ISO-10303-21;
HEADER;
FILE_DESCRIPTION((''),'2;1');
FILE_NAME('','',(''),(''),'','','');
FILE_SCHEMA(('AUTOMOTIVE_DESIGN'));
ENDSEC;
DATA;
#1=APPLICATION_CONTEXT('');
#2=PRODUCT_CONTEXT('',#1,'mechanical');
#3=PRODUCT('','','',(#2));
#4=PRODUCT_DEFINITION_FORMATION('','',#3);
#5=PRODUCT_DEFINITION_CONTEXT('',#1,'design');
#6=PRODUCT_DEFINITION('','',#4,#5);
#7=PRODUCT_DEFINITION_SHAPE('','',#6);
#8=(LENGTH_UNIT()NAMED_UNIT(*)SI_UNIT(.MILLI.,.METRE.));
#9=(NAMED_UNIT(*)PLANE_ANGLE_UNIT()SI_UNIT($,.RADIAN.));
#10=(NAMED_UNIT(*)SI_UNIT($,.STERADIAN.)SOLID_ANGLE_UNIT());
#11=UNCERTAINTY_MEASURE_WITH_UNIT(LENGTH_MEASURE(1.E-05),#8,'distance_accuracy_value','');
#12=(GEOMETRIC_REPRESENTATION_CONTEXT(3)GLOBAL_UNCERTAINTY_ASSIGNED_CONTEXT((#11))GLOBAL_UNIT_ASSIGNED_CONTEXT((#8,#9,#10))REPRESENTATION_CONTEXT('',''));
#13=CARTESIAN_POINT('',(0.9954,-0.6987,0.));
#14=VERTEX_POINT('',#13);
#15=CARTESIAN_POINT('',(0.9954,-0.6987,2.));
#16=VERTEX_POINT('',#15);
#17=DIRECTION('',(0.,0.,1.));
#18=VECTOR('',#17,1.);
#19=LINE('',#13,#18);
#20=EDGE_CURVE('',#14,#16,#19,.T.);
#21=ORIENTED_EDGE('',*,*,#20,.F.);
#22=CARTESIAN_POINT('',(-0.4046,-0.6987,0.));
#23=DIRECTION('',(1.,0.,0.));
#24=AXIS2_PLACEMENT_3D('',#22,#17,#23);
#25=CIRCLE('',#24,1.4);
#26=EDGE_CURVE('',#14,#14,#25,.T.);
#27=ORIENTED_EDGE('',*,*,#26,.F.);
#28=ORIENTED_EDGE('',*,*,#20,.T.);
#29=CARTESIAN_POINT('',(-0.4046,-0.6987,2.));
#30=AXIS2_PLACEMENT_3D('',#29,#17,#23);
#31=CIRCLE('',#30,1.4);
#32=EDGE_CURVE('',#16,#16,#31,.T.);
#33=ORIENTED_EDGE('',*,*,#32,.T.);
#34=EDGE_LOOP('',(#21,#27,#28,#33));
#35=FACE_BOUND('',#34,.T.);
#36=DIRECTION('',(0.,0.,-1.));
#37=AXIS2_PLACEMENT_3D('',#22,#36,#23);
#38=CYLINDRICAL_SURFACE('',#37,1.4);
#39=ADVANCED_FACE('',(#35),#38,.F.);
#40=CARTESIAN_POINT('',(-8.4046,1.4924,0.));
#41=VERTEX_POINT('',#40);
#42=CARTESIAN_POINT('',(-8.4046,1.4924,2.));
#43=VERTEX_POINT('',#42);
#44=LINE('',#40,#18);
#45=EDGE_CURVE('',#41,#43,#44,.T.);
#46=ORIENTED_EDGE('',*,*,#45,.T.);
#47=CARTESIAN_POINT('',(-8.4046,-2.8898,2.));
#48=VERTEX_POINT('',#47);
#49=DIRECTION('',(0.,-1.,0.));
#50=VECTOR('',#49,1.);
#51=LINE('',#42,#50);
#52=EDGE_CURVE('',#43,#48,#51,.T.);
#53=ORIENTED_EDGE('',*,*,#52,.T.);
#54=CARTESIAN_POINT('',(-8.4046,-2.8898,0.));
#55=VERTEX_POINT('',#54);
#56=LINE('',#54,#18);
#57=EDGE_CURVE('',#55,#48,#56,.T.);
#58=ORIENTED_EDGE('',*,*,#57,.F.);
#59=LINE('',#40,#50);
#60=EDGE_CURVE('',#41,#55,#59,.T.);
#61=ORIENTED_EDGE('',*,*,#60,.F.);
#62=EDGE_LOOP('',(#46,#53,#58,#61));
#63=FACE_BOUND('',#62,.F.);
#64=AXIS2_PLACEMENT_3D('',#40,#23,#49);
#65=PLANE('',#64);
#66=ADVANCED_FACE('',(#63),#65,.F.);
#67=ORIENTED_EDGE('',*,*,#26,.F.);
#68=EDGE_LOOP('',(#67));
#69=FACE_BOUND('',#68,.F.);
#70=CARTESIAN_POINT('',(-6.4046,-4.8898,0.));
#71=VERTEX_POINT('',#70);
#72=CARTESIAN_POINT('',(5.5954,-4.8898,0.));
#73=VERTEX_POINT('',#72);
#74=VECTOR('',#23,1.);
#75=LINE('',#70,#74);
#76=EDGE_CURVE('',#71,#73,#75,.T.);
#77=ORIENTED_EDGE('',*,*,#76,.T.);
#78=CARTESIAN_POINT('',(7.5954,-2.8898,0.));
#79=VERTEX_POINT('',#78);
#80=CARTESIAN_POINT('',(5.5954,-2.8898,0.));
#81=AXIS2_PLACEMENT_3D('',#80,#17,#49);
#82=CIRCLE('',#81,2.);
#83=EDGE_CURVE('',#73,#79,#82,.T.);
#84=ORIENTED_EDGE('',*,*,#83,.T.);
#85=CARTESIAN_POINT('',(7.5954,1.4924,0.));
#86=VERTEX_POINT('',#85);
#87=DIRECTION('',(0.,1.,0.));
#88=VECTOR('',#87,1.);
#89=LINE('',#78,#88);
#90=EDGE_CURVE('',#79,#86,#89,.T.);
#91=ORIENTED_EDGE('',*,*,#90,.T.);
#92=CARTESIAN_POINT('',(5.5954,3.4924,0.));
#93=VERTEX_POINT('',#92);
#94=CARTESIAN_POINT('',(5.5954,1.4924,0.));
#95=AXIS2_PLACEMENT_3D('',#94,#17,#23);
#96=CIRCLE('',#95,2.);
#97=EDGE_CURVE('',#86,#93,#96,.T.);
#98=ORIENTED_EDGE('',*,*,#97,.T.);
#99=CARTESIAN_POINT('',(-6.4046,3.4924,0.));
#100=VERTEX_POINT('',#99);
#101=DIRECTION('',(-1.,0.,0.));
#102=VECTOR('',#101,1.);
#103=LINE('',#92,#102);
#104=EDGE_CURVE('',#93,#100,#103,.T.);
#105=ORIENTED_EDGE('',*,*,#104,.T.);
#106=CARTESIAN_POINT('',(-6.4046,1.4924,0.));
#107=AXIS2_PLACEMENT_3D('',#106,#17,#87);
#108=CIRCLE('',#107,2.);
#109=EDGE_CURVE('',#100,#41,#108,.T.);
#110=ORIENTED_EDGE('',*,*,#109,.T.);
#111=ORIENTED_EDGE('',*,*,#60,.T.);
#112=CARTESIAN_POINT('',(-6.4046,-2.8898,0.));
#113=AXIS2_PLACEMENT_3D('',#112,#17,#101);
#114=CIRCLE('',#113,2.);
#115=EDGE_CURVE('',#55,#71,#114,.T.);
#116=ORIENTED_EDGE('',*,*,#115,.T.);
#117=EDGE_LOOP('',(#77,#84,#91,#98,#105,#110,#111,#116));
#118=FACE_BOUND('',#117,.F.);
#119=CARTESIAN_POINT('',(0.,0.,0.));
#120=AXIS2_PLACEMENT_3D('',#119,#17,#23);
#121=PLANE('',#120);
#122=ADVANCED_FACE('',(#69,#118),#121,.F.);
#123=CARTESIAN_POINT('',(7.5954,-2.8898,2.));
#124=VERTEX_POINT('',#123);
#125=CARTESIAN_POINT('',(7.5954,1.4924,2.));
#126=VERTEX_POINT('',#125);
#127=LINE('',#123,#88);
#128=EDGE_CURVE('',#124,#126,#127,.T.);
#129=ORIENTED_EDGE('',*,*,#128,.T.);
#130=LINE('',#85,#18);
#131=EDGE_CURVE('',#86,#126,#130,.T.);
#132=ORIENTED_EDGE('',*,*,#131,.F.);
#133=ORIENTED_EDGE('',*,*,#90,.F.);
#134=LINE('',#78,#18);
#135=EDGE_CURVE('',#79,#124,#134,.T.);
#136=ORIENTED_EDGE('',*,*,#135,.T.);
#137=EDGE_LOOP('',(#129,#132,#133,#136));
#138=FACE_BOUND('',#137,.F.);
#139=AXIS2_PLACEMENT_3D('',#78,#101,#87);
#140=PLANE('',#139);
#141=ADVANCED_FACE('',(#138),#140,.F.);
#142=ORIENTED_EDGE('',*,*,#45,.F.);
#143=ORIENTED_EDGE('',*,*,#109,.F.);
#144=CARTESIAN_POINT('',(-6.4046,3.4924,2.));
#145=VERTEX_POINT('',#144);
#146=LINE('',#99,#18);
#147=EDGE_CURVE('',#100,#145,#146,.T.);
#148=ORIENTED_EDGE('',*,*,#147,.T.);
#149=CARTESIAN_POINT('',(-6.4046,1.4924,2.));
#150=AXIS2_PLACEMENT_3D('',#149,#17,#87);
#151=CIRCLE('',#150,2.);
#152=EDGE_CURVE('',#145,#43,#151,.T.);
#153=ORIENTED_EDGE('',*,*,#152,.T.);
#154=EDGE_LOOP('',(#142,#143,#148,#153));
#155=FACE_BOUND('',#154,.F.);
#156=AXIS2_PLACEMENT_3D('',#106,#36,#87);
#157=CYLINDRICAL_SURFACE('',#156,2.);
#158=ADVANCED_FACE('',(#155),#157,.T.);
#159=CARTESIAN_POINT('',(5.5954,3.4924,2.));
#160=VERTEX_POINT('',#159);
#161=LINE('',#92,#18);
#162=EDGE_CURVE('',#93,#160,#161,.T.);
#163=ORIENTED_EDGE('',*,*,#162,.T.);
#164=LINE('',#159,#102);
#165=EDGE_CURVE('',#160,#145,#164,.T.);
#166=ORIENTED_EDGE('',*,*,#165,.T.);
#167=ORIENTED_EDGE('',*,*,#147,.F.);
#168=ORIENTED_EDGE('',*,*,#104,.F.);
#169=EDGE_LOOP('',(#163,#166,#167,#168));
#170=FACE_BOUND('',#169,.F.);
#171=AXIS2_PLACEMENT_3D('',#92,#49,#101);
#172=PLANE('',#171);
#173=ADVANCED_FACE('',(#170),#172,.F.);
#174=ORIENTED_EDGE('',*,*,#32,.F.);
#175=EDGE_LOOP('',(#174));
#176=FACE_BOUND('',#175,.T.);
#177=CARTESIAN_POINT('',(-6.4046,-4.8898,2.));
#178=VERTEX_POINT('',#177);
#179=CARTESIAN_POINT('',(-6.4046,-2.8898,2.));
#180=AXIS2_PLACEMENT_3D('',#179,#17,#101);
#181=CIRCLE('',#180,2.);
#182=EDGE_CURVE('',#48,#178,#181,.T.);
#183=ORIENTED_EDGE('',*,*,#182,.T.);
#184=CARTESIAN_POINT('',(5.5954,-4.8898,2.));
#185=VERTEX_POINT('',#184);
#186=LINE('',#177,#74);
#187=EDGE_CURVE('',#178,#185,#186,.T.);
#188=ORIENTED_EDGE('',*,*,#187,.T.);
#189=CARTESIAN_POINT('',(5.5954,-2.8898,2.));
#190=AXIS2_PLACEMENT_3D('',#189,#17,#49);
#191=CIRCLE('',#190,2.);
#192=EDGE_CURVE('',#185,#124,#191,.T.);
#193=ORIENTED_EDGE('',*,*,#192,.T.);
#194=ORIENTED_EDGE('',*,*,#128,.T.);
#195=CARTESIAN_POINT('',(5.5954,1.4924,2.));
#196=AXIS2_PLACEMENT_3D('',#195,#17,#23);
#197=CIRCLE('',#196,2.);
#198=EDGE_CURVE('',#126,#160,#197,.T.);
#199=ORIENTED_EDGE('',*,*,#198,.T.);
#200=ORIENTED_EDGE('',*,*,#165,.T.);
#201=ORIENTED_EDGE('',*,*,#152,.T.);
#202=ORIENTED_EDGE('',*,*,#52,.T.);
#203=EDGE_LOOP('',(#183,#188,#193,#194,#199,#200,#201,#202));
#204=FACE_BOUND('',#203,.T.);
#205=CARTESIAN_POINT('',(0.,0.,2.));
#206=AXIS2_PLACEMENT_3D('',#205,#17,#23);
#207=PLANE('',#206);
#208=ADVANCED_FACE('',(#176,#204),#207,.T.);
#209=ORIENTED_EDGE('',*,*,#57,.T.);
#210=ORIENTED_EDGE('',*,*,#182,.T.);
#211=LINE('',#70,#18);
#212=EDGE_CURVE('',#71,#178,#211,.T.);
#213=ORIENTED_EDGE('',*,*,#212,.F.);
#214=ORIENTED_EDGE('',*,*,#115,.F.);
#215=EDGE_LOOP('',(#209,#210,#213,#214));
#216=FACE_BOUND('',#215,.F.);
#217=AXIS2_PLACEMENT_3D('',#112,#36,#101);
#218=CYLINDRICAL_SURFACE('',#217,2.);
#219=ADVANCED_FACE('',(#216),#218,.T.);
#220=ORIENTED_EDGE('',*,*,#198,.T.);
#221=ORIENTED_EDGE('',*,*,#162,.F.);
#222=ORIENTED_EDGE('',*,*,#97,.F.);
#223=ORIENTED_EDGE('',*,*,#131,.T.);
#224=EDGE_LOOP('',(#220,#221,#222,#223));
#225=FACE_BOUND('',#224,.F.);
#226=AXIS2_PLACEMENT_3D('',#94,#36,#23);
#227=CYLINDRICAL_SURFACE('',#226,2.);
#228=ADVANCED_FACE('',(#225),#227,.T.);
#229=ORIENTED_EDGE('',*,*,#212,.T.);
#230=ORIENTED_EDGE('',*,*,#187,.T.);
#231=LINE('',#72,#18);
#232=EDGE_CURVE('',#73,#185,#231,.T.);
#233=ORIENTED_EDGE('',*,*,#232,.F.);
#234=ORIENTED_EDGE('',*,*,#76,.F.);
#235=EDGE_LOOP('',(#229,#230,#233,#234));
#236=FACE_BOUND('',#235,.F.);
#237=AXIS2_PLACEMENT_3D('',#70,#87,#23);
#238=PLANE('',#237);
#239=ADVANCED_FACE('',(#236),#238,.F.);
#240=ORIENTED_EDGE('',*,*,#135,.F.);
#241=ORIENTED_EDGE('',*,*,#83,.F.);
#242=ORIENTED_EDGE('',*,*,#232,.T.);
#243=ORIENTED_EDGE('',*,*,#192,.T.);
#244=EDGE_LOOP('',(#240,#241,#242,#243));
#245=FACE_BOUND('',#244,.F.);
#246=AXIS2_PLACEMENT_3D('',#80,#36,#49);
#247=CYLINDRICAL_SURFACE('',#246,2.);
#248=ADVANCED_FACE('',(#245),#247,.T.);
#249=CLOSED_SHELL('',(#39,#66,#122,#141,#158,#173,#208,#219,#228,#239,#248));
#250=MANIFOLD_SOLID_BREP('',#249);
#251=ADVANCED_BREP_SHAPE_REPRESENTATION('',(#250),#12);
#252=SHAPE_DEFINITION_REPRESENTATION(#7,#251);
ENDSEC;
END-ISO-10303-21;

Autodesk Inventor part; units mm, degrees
ref_plane "YZ Plane" through (0, 0, 0) normal (1, 0, 0) x (0, 1, 0)
ref_plane "XZ Plane" through (0, 0, 0) normal (0, 1, 0) x (-1, 0, 0)
ref_plane "XY Plane" through (0, 0, 0) normal (0, 0, 1) x (1, 0, 0)
sketch "washer_sketch" plane through (0, 0, 0) normal (0, 0, 1) x (1, 0, 0)
  arc A0 (0.0668, 4.8898) -> (-1.1152, 4.3995) centre (0.2018, 2.8944) ccw construction
  line L0 (-7.8667, -1.508) -> (-1.1152, 4.3995) construction
  arc A1 (-7.8667, -1.508) -> (-8.5497, -3.0131) centre (-6.5497, -3.0131) ccw construction
  line L1 (-8.5497, -4.8898) -> (-8.5497, -3.0131) construction
  line L2 (8.5497, -4.8898) -> (-8.5497, -4.8898) construction
  line L3 (1.5081, 4.1255) -> (8.5497, -4.8898) construction
  arc A2 (1.5081, 4.1255) -> (0.0668, 4.8898) centre (-0.0681, 2.8944) ccw construction
  circle A3 centre (-0.4046, -0.6987) radius 3.55 construction
  circle A4 centre (-0.4046, -0.6987) radius 3.55 construction
  circle A5 centre (-0.4046, -0.6987) radius 1.4 projected
  line L4 (-6.4046, -4.8898) -> (5.5954, -4.8898)
  line L5 (7.5954, -2.8898) -> (7.5954, 1.4924)
  line L6 (5.5954, 3.4924) -> (-6.4046, 3.4924)
  line L7 (-8.4046, 1.4924) -> (-8.4046, -2.8898)
  arc A6 (-8.4046, -2.8898) -> (-6.4046, -4.8898) centre (-6.4046, -2.8898) ccw
  arc A7 (-6.4046, 3.4924) -> (-8.4046, 1.4924) centre (-6.4046, 1.4924) ccw
  arc A8 (7.5954, 1.4924) -> (5.5954, 3.4924) centre (5.5954, 1.4924) ccw
  arc A9 (5.5954, -4.8898) -> (7.5954, -2.8898) centre (5.5954, -2.8898) ccw
  point P0 (0, 0)
  point P1 (-8.4046, -4.8898)
  point P2 (7.5954, 3.4924)
  point P3 (-8.4046, 3.4924)
  dimension "d0" = 16
  dimension "d1" = 8
  dimension "d2" = 4.1911
  dimension "d3" = 4.1911
  dimension "d4" = 2
extrude "washer" add sketch "washer_sketch" along normal blind 2
equation "\"d1\" = 0.5 * d0"
equation "\"d3\" = d2"
properties part number "mount_linear_stepper_washer" material "ABS Plastic"
